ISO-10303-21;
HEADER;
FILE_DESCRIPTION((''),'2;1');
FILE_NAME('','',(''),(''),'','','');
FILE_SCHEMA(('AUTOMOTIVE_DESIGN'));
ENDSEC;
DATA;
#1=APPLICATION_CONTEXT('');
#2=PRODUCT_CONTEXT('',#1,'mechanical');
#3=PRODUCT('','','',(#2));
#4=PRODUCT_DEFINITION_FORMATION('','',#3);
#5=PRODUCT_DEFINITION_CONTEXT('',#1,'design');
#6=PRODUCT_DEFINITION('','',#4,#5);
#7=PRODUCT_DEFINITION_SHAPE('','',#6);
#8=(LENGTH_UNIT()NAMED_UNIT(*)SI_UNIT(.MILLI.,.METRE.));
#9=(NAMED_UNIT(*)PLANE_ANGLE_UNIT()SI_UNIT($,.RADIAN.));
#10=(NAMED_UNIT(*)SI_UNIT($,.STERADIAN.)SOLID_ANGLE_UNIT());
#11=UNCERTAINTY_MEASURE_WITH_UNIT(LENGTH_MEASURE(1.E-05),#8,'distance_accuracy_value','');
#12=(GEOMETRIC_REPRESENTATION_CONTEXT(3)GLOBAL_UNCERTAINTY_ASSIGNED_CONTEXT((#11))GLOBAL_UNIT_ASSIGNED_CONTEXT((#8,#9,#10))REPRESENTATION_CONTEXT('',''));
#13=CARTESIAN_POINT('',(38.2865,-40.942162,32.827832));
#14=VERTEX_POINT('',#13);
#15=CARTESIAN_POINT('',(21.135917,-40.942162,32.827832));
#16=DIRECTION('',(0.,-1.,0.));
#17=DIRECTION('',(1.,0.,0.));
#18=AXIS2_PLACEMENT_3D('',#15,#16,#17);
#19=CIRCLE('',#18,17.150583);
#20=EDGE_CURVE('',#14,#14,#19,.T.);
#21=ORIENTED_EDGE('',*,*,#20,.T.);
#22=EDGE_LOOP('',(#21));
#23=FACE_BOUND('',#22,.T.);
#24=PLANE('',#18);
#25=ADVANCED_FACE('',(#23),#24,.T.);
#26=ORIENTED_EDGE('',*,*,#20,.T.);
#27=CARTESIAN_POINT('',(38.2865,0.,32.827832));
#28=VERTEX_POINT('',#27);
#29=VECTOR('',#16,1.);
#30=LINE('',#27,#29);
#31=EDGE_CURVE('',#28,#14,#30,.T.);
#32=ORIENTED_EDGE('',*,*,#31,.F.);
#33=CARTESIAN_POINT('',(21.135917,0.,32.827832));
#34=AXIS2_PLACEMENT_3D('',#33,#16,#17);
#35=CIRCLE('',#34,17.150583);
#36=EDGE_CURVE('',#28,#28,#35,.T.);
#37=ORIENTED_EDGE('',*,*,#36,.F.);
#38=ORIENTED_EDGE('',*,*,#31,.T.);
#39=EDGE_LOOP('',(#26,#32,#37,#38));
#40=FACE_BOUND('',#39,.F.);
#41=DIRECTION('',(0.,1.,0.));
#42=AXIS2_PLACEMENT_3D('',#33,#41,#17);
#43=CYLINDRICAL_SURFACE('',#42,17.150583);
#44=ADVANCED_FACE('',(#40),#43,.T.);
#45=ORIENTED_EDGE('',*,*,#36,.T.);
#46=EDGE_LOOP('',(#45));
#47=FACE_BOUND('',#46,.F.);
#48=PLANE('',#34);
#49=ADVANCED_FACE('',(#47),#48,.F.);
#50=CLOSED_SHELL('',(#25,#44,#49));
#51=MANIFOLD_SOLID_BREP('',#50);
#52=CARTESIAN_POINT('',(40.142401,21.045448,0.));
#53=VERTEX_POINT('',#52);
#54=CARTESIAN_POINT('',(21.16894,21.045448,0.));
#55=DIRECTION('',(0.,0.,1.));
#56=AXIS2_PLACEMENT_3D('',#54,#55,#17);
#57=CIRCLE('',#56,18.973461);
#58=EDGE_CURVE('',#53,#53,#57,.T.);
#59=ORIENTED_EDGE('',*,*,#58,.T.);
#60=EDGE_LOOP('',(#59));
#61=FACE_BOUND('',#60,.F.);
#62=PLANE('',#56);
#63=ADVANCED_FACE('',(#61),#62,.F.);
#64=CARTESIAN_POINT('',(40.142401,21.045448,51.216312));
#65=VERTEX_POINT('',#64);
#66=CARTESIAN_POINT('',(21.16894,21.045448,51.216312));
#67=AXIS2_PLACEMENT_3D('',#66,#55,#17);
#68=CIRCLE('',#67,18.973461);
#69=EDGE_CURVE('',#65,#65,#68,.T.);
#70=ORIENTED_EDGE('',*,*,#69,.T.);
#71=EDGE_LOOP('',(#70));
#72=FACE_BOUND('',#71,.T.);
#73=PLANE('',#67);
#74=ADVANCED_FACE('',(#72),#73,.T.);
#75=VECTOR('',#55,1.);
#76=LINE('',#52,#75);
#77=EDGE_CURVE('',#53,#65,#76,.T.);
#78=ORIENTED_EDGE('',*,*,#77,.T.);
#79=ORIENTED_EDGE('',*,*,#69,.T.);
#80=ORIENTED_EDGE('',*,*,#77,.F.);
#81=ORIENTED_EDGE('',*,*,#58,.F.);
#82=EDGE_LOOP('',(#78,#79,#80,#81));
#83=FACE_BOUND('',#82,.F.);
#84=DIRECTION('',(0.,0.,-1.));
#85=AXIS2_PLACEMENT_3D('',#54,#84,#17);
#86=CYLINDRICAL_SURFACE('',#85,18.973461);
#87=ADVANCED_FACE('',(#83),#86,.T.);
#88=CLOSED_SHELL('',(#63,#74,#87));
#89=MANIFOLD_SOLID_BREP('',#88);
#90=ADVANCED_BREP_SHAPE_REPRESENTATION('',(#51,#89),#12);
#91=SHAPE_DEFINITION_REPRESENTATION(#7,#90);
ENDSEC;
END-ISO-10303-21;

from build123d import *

# Parameters (mm, degrees)
F0_R     = 17.150583
F1_DEPTH = 40.942162
F2_R     = 18.973461
F3_DEPTH = 51.216312


with BuildPart() as f1:
    # F0 (on Front) → F1 (new body)
    with BuildSketch(Plane.XZ):
        with Locations((21.135917, 32.827832)):
            Circle(F0_R)
    extrude(amount=F1_DEPTH)


with BuildPart() as f3:
    # F2 (on Top) → F3 (new body)
    with BuildSketch(Plane.XY):
        with Locations((21.16894, 21.045448)):
            Circle(F2_R)
    extrude(amount=F3_DEPTH)


solid = Compound([f1.part, f3.part])
